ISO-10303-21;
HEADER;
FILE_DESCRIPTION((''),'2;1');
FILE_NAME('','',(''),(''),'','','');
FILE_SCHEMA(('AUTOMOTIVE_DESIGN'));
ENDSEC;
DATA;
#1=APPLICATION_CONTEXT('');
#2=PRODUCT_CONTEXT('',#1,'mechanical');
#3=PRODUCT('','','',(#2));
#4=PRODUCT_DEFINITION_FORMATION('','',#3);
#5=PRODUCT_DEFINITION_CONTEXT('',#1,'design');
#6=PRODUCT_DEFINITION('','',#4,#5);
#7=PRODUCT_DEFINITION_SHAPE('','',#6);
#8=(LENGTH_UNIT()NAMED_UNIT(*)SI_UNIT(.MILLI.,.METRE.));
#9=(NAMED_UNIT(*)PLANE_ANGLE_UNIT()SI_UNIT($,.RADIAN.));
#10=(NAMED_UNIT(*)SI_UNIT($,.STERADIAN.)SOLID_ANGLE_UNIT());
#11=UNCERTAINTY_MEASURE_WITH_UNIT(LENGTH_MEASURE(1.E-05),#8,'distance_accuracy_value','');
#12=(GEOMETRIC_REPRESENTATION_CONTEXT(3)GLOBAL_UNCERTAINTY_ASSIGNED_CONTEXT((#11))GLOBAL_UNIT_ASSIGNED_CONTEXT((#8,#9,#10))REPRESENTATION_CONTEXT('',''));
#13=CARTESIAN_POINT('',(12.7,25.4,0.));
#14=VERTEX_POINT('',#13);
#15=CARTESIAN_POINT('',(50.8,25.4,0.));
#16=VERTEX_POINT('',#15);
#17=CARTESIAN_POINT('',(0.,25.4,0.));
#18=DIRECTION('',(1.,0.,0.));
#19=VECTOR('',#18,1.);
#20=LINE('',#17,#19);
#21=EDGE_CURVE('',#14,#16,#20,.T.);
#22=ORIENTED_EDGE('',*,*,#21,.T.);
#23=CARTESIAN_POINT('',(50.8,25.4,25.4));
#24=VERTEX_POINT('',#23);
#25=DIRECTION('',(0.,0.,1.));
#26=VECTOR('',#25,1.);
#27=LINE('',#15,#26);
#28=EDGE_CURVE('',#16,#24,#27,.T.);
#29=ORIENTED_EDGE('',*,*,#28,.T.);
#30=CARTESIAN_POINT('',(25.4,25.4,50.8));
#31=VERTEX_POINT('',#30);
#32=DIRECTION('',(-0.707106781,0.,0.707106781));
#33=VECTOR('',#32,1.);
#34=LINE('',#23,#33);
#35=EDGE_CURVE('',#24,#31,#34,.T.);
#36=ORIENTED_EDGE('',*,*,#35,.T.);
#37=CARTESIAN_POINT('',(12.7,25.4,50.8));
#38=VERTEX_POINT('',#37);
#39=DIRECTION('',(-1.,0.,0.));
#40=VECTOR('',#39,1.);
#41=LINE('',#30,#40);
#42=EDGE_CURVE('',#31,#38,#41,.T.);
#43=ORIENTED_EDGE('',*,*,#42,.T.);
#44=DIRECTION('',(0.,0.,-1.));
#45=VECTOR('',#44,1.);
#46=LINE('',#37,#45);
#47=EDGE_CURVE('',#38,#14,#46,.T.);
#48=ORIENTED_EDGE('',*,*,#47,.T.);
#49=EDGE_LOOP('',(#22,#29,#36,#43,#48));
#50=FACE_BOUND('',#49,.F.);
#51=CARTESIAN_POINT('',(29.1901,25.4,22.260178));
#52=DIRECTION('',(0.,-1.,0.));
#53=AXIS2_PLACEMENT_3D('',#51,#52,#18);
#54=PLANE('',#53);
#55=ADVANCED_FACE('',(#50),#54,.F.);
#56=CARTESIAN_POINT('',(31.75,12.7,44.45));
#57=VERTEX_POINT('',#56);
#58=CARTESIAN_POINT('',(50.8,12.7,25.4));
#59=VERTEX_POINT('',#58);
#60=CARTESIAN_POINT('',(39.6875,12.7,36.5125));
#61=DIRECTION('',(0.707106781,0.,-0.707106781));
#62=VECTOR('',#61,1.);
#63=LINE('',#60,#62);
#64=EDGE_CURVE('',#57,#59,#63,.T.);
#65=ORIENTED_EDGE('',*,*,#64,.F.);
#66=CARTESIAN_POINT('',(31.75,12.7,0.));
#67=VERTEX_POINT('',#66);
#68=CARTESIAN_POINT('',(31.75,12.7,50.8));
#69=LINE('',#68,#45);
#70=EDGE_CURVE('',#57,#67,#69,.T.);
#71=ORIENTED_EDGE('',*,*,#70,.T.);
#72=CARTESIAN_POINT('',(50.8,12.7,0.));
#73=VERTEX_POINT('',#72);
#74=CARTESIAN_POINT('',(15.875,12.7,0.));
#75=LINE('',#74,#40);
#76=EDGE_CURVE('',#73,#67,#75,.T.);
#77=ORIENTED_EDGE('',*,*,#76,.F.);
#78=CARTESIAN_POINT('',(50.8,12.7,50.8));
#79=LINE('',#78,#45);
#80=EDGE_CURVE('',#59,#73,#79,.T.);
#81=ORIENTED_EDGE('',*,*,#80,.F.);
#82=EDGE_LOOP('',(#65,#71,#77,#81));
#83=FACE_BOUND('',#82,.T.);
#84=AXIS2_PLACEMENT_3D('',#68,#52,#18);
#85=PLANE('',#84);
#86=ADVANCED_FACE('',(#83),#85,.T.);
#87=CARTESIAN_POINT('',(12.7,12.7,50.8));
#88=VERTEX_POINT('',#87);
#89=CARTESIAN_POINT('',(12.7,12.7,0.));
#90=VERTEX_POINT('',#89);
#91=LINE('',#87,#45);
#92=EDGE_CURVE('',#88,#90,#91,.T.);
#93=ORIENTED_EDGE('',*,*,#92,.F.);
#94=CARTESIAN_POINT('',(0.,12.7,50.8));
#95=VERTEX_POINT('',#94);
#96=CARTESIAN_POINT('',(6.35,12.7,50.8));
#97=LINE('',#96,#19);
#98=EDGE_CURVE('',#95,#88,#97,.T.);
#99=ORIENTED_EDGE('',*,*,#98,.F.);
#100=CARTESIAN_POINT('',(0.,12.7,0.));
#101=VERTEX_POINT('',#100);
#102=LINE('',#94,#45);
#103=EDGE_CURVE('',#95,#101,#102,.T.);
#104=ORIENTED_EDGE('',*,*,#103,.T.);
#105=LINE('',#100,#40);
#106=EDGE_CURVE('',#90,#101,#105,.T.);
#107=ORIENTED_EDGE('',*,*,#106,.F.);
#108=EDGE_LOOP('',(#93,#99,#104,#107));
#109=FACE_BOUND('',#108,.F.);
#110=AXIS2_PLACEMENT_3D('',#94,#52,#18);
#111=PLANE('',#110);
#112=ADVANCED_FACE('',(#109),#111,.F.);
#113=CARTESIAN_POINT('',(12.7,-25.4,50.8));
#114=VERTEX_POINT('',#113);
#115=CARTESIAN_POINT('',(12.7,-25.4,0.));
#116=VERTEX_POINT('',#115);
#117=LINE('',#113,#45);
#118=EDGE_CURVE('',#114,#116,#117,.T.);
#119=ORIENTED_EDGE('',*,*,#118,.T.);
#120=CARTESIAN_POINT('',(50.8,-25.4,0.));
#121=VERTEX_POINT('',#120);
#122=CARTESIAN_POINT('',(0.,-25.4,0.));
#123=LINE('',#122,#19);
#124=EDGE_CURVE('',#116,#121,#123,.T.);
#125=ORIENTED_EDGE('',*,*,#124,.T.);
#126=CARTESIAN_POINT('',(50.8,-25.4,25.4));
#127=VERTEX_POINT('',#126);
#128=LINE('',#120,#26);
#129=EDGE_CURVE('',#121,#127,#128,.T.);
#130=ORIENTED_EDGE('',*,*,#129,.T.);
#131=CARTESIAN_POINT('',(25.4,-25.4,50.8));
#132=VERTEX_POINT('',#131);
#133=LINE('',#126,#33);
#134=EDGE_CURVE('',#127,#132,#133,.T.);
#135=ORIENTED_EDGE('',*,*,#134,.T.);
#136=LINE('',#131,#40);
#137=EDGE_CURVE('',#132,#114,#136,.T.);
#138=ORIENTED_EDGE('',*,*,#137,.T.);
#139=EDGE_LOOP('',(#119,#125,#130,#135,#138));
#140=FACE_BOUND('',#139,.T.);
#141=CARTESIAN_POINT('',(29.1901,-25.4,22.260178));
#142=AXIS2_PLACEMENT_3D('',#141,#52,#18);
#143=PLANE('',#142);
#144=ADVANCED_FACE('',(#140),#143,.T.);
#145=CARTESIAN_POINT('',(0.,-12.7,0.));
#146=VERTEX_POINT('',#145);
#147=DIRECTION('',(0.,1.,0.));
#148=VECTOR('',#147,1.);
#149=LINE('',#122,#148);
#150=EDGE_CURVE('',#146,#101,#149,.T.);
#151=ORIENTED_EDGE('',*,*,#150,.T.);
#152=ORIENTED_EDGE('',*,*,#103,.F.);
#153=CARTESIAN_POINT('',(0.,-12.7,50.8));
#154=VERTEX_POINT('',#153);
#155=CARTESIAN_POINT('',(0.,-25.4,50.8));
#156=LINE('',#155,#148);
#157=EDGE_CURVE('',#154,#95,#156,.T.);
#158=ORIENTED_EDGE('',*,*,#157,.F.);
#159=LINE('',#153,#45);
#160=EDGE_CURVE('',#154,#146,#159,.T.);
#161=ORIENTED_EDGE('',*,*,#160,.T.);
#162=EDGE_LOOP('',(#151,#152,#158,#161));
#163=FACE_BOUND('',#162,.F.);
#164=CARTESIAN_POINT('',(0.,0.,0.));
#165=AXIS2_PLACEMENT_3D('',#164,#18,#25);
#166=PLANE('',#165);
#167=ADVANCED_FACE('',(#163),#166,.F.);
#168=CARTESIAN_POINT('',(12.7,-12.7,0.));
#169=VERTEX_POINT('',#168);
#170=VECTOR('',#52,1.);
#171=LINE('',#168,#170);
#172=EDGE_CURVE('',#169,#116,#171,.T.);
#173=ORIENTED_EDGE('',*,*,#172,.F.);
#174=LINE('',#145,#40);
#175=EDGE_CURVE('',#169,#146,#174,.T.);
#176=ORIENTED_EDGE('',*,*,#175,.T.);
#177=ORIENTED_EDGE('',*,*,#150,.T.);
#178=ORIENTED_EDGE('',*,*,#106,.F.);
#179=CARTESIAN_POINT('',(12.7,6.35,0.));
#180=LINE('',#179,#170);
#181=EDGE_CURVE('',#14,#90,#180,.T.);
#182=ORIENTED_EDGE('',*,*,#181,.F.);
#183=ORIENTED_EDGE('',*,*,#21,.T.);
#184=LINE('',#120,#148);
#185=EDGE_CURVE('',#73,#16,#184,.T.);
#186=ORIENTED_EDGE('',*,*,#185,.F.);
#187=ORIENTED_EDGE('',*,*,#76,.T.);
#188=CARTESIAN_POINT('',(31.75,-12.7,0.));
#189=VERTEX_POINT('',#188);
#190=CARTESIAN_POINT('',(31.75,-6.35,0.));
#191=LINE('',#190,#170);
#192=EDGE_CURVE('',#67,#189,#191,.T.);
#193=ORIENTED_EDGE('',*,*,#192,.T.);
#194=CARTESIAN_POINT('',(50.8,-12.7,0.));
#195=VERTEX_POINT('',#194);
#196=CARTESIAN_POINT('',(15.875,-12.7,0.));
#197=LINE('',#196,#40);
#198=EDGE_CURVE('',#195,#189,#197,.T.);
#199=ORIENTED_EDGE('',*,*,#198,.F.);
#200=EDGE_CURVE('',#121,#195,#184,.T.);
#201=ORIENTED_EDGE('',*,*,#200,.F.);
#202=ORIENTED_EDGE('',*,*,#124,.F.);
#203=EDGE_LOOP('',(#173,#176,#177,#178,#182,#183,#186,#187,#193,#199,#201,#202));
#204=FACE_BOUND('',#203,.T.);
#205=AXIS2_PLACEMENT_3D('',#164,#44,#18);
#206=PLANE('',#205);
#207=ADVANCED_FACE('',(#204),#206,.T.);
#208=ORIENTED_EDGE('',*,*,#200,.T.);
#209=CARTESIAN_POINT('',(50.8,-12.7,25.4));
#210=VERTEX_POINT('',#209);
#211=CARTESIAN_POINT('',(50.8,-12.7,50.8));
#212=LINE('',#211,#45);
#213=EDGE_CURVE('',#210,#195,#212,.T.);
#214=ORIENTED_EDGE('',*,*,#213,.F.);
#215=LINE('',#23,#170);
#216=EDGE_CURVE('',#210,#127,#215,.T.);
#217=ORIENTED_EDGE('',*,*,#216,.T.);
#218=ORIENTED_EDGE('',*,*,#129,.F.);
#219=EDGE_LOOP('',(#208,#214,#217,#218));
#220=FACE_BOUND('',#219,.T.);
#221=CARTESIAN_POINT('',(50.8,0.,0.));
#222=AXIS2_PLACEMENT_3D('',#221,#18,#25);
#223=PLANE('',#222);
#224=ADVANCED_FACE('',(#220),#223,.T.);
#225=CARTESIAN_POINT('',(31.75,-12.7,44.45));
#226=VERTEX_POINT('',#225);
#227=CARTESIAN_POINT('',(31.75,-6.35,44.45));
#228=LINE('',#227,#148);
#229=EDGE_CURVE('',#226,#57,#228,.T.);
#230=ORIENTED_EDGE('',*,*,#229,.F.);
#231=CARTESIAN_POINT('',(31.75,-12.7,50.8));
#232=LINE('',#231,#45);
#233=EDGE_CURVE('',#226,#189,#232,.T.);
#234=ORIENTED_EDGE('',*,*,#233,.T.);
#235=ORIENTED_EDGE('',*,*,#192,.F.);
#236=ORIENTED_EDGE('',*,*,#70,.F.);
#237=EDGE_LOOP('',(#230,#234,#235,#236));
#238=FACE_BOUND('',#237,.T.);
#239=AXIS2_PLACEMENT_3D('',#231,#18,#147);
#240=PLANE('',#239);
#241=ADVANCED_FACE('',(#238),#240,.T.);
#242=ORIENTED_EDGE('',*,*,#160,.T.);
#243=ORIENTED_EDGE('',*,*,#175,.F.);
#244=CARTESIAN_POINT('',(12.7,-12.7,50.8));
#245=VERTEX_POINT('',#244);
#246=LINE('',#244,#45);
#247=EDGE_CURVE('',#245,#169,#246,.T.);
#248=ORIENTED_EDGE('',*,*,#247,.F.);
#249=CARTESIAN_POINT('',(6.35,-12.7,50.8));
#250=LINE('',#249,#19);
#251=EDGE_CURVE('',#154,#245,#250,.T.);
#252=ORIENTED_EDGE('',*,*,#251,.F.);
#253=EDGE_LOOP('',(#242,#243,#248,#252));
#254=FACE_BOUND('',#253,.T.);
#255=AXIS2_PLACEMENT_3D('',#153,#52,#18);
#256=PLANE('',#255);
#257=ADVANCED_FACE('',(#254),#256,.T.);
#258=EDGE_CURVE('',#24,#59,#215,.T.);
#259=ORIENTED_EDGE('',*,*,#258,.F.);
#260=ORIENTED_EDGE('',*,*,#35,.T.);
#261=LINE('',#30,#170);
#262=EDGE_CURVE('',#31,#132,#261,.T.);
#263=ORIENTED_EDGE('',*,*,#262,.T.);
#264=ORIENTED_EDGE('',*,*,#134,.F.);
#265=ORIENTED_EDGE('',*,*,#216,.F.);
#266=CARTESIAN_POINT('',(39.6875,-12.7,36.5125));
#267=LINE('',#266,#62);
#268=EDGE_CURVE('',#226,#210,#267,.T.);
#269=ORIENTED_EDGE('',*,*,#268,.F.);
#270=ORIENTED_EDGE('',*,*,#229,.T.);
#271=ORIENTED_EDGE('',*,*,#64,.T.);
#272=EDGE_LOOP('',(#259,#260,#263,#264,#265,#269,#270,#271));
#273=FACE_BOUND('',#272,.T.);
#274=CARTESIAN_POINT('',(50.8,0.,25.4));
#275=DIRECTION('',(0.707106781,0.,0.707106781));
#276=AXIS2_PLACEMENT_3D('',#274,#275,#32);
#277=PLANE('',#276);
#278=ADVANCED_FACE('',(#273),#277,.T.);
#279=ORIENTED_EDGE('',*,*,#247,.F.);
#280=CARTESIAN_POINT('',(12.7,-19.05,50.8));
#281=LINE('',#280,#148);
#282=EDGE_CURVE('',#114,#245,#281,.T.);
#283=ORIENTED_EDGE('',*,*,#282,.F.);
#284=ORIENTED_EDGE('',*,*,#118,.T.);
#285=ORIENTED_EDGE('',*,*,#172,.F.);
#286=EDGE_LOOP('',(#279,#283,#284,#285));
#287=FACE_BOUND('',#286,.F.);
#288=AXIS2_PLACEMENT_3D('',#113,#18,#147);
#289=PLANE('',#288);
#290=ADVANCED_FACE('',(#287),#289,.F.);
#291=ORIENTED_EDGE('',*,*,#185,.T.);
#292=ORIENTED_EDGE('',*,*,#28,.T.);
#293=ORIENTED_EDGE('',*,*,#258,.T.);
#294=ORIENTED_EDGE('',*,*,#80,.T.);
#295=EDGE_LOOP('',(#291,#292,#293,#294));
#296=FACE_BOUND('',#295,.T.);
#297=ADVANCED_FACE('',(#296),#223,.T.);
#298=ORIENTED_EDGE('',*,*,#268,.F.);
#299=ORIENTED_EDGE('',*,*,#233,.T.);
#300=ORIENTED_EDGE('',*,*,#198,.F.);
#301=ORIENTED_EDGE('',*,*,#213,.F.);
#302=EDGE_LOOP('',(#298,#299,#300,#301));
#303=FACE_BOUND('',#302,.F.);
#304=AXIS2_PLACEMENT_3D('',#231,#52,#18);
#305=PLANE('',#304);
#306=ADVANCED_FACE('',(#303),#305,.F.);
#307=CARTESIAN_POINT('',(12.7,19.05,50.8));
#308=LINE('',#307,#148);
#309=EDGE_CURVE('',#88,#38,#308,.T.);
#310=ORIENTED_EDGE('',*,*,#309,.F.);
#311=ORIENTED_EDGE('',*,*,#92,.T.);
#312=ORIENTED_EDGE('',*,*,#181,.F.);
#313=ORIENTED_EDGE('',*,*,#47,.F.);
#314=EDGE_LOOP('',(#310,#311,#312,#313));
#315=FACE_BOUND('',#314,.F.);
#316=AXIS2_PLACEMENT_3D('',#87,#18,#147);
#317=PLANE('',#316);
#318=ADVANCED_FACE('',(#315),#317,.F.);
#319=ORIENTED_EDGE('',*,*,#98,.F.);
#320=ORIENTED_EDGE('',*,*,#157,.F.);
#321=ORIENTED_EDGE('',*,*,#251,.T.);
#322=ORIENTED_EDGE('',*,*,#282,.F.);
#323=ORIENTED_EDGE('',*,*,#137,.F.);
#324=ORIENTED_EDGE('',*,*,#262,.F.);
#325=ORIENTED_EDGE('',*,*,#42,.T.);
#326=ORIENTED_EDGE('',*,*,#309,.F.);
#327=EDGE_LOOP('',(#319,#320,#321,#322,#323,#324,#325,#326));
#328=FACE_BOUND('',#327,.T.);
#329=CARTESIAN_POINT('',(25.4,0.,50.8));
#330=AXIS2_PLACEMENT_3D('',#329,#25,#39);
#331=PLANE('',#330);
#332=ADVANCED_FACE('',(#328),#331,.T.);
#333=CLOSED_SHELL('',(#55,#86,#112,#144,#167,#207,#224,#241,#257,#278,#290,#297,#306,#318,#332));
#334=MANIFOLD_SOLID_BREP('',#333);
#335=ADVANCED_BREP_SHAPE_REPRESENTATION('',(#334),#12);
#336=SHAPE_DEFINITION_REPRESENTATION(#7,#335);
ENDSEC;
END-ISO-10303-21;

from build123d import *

# Parameters (mm, degrees)
F0_W     = 12.7
F0_H     = 50.8
F1_DEPTH = 25.4
F2_W     = 12.7
F2_H     = 12.7
F2_W_2   = 19.05
F2_H_2   = 25.4
F3_DEPTH = 50.801


with BuildPart() as f1:
    # F0 (on Front) → F1 (new body, symmetric)
    with BuildSketch(Plane.XZ):
        Polygon((12.7, 50.8), (12.7, 0), (50.8, 0), (50.8, 25.4), (25.4, 50.8), align=None)
        with Locations((6.35, 25.4)):
            Rectangle(F0_W, F0_H)
    extrude(amount=F1_DEPTH, both=True)

    # F2 (on face) → F3 (cut, through all)
    with BuildSketch(Plane.XY.offset(50.8)):
        with Locations((6.35, 19.05)):
            Rectangle(F2_W, F2_H)
        with Locations((6.35, -19.05)):
            Rectangle(F2_W, F2_H)
        with Locations((41.275, 0)):
            Rectangle(F2_W_2, F2_H_2)
    extrude(amount=-F3_DEPTH, mode=Mode.SUBTRACT)


solid = f1.part
